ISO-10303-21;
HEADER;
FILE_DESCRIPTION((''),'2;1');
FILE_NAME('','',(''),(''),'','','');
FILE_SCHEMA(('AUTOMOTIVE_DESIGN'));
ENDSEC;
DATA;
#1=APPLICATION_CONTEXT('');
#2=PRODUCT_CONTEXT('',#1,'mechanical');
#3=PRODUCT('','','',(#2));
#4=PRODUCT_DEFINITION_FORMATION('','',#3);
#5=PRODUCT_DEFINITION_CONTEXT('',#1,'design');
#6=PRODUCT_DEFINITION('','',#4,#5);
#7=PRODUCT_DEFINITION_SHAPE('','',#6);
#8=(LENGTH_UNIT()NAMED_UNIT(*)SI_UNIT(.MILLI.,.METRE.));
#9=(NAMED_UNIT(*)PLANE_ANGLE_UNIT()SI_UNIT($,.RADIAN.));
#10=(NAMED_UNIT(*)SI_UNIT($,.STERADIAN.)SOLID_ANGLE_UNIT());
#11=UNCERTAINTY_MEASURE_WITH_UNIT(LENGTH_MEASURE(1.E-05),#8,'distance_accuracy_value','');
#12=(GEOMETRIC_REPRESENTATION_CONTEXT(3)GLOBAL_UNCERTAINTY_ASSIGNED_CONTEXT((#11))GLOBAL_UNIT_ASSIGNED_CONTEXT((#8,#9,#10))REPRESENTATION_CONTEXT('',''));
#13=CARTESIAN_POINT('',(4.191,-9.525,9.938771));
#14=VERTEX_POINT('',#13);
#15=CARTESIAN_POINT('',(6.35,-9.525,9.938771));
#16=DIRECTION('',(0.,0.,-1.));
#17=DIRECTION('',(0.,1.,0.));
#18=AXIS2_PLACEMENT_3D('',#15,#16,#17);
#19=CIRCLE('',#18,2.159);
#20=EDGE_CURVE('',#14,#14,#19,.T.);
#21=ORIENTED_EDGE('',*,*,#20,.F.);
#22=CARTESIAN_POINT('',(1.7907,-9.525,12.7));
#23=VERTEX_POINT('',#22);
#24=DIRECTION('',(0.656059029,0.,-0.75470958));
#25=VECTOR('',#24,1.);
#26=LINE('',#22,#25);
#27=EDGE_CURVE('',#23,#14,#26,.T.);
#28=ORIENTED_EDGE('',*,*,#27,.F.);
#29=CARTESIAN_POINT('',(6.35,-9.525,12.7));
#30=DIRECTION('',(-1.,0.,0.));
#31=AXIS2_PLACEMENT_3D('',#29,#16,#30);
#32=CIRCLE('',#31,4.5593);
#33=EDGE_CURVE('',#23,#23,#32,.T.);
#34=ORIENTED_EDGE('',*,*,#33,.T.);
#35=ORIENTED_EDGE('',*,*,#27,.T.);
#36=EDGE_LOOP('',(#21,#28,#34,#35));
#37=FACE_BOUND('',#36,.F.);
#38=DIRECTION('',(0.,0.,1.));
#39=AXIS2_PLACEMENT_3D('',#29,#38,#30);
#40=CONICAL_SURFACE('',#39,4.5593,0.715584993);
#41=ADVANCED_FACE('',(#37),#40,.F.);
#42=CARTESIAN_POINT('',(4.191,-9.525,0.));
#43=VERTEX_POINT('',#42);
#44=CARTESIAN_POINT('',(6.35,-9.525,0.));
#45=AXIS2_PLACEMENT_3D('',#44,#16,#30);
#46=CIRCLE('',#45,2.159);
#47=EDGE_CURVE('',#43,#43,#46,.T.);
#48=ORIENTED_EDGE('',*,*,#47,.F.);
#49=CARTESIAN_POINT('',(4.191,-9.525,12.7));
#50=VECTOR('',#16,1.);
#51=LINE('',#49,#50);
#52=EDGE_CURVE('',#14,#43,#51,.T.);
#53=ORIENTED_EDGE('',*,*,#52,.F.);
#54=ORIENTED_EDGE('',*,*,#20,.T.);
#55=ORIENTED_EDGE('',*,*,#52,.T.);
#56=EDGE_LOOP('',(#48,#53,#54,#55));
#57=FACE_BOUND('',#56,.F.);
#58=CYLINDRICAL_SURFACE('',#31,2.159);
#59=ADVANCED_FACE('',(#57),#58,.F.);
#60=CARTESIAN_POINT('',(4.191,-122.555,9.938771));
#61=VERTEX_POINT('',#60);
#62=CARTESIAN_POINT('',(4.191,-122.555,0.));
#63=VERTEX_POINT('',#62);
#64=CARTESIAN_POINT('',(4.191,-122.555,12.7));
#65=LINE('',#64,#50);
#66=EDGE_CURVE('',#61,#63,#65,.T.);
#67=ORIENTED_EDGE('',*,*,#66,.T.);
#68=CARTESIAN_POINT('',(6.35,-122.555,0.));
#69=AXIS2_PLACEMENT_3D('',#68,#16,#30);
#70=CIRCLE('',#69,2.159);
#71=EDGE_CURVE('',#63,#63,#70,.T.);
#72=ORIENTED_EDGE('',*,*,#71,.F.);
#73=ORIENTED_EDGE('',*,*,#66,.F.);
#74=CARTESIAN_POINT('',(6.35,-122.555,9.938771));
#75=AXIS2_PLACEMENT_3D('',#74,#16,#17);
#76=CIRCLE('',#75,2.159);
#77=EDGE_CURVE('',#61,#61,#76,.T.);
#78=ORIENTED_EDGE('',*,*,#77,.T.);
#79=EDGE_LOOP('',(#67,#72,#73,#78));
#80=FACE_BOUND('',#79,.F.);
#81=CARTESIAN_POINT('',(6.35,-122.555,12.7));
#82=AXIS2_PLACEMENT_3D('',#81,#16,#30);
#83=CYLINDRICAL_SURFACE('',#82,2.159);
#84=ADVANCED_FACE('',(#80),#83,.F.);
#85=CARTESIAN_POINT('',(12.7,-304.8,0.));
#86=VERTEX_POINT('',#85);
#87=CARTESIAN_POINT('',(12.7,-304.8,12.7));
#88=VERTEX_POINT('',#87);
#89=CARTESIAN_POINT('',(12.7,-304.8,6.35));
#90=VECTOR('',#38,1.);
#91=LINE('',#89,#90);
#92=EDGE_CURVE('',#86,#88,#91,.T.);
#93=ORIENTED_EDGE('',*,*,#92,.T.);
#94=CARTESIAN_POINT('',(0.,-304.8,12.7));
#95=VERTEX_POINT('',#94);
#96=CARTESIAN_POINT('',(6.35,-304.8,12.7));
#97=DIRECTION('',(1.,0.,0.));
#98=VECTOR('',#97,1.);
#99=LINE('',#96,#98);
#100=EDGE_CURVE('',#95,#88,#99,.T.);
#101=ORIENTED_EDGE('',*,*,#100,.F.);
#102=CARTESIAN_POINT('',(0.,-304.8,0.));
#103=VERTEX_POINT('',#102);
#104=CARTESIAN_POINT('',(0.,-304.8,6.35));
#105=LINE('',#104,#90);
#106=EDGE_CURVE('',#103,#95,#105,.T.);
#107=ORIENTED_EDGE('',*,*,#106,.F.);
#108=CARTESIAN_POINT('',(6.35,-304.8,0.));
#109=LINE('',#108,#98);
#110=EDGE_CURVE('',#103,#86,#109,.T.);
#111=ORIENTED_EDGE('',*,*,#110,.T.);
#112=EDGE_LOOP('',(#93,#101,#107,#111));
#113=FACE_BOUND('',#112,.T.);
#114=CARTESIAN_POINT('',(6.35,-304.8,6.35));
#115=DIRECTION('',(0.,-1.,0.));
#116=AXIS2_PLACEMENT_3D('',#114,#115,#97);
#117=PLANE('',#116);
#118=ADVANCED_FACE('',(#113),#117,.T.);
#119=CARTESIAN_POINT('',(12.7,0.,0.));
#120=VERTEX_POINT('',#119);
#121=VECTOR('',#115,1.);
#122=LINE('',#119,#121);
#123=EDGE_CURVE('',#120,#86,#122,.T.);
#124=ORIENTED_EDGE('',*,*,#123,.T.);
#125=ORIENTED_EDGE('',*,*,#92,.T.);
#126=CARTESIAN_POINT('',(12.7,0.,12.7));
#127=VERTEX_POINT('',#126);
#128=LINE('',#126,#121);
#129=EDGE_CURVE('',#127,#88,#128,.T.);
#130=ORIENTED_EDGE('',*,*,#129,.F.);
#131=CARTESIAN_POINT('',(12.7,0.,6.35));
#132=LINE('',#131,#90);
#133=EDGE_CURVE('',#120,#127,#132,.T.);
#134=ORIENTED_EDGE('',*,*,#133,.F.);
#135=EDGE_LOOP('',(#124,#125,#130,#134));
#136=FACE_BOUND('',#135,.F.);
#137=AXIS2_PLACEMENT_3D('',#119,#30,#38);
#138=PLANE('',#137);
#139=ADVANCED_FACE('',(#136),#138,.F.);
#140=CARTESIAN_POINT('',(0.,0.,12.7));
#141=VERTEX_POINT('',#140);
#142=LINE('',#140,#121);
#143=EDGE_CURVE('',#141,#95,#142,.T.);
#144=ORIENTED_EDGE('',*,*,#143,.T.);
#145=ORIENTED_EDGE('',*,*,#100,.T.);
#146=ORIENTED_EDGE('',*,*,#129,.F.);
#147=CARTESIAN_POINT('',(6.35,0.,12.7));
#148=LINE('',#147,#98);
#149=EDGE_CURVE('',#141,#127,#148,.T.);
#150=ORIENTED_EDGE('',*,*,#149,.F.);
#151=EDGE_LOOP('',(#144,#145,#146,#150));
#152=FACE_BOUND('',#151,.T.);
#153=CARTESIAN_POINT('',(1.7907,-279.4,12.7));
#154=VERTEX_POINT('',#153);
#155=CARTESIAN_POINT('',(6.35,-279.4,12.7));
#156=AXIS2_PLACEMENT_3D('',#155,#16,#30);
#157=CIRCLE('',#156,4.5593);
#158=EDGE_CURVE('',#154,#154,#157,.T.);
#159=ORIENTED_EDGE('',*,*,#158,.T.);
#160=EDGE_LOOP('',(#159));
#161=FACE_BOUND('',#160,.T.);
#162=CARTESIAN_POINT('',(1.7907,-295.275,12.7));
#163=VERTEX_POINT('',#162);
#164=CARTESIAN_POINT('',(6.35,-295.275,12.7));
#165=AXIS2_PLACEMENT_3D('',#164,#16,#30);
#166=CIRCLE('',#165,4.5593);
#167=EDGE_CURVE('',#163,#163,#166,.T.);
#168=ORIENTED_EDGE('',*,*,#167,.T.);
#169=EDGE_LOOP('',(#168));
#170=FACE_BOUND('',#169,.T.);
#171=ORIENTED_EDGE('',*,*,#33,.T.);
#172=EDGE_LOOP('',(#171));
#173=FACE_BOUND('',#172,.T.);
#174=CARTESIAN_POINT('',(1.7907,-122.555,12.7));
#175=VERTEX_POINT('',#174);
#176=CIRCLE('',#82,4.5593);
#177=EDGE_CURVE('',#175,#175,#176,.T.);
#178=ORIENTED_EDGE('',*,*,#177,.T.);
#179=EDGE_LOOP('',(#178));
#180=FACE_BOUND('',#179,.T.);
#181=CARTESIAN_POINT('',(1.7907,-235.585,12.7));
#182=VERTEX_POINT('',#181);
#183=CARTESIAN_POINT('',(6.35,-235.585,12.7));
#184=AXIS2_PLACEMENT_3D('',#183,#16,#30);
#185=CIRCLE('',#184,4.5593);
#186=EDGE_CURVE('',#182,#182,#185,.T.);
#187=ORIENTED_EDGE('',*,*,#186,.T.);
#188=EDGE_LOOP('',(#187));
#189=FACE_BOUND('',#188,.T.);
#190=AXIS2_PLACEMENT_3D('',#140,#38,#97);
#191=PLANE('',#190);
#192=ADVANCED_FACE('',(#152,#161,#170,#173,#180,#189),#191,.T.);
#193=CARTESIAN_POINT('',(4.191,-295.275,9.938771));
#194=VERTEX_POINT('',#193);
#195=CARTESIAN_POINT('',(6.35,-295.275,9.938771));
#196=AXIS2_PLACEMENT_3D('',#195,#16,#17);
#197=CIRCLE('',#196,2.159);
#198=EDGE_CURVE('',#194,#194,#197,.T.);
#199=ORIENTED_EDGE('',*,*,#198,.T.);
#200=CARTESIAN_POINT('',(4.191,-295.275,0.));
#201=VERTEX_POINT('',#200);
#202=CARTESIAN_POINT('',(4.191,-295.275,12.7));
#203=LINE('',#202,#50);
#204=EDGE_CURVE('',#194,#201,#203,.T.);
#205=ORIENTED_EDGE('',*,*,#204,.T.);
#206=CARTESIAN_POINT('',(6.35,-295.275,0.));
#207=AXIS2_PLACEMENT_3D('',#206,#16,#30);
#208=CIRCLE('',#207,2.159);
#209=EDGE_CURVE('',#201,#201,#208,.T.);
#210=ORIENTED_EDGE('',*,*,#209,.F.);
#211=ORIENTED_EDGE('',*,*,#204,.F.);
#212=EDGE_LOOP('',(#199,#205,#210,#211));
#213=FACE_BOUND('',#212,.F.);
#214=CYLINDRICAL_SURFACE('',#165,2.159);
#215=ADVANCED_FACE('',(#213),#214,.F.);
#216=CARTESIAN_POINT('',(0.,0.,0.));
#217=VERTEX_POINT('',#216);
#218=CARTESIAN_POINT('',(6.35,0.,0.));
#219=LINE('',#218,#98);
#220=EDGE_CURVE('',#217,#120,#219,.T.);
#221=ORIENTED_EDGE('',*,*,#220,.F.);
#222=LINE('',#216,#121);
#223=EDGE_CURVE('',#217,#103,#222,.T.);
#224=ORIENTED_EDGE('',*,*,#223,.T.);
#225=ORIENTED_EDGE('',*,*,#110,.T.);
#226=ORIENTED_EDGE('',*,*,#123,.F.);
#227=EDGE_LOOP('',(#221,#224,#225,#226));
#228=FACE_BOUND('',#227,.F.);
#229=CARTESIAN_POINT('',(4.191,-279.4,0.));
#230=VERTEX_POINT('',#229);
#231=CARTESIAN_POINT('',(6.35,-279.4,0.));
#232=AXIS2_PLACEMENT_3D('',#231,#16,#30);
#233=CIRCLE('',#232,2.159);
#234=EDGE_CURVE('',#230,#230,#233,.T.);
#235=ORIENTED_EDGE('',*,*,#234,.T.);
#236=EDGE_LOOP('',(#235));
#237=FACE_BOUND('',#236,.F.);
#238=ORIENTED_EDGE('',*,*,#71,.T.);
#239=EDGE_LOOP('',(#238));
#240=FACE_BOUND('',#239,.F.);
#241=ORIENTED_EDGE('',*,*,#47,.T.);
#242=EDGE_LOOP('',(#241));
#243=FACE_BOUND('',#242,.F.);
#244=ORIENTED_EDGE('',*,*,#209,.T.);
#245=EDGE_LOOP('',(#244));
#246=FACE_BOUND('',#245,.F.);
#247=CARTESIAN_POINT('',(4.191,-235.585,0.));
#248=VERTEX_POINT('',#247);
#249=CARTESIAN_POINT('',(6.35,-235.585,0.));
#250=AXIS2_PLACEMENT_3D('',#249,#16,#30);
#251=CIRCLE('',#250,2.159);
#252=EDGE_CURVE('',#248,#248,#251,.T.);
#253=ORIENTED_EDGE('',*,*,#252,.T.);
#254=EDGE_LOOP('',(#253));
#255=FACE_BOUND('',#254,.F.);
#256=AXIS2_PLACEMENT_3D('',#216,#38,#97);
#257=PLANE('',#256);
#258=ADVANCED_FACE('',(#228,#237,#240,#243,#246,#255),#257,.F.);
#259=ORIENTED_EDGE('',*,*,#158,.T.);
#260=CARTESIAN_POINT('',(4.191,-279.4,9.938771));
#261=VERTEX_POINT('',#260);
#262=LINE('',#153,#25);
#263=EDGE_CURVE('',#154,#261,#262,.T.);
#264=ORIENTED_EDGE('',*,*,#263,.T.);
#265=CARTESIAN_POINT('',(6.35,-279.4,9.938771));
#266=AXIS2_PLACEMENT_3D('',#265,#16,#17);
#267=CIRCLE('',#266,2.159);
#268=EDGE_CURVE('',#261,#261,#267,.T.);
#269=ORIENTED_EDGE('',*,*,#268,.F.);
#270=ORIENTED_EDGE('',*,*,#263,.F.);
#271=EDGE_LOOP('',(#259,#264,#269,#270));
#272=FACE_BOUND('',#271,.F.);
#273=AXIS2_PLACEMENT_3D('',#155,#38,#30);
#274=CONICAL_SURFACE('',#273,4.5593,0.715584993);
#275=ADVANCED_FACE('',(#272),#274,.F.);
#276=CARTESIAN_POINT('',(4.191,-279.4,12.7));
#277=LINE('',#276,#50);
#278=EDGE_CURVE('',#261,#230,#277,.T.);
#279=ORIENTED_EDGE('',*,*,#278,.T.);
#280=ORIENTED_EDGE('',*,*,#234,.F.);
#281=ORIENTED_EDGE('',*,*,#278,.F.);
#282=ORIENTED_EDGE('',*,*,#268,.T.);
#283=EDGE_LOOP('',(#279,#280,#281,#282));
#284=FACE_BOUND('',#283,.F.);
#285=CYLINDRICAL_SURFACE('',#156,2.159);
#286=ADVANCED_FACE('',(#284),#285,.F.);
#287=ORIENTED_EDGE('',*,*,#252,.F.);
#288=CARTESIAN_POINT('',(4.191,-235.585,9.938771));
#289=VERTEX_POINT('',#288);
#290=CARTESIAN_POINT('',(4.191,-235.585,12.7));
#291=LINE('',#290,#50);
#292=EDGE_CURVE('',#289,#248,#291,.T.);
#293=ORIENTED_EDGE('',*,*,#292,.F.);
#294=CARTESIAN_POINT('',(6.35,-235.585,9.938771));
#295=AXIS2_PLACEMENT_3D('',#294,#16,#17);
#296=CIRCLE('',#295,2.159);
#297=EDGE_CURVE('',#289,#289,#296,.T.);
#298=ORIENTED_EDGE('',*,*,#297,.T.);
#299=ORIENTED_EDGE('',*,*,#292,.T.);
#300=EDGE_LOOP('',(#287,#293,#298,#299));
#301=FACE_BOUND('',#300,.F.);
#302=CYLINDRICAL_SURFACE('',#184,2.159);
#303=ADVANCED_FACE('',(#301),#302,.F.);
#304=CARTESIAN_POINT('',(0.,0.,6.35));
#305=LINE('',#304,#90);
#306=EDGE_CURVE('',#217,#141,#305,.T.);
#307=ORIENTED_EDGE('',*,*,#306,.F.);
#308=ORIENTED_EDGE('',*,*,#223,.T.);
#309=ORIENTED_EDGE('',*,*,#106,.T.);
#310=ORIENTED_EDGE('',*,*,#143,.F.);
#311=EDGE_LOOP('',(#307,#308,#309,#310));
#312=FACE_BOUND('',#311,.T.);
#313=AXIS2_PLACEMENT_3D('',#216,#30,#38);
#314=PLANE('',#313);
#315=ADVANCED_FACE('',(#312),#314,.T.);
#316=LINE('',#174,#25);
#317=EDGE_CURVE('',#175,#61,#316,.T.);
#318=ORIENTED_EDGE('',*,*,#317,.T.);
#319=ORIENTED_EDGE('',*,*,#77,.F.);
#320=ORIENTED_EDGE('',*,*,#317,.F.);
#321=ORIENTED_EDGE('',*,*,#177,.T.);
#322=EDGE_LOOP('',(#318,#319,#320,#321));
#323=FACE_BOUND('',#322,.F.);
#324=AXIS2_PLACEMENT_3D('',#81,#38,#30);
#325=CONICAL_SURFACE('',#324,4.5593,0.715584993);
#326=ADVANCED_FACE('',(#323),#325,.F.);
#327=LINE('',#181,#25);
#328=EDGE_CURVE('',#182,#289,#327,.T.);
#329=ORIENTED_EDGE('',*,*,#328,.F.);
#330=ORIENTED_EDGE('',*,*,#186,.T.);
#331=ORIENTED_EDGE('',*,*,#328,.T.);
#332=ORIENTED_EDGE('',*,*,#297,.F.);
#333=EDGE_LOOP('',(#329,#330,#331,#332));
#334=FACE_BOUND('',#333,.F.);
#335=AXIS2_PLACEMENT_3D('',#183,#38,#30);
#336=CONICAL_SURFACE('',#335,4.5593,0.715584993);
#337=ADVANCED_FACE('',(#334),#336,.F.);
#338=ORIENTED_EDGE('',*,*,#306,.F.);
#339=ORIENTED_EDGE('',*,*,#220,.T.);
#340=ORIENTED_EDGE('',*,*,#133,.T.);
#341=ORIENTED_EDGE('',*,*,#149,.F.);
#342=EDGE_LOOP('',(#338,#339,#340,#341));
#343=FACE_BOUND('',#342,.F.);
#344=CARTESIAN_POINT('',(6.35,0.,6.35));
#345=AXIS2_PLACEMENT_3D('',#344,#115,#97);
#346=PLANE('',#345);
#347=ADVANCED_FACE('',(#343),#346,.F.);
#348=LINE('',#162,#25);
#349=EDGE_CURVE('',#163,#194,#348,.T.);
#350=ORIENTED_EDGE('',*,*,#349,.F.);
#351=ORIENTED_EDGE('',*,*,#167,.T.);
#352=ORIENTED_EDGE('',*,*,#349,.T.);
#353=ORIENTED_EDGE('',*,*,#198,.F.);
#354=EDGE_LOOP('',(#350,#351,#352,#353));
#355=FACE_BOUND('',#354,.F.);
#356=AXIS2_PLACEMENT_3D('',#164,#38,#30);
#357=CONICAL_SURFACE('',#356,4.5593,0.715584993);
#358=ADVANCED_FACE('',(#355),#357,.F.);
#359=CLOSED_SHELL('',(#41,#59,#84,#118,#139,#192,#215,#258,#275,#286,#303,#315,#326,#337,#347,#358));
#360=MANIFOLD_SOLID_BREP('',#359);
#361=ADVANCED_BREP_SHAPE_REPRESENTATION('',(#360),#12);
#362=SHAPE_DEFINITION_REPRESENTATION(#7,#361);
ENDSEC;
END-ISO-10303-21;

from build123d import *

# Parameters (mm, degrees)
F0_W           = 12.7
F0_H           = 12.7
F1_DEPTH       = 304.8
F3_D           = 4.318
F3_CSINK_D     = 9.1186
F3_CSINK_ANGLE = 82


with BuildPart() as f1:
    # F0 (on Front) → F1 (new body)
    with BuildSketch(Plane.XZ):
        with Locations((6.35, 6.35)):
            Rectangle(F0_W, F0_H)
    extrude(amount=F1_DEPTH)

    # F3 (through all)
    with Locations(Plane.XY.offset(12.7)):
        with Locations((6.35, -9.525), (6.35, -122.555), (6.35, -235.585), (6.35, -279.4), (6.35, -295.275)):
            CounterSinkHole(F3_D / 2, F3_CSINK_D / 2, counter_sink_angle=F3_CSINK_ANGLE)


solid = f1.part
